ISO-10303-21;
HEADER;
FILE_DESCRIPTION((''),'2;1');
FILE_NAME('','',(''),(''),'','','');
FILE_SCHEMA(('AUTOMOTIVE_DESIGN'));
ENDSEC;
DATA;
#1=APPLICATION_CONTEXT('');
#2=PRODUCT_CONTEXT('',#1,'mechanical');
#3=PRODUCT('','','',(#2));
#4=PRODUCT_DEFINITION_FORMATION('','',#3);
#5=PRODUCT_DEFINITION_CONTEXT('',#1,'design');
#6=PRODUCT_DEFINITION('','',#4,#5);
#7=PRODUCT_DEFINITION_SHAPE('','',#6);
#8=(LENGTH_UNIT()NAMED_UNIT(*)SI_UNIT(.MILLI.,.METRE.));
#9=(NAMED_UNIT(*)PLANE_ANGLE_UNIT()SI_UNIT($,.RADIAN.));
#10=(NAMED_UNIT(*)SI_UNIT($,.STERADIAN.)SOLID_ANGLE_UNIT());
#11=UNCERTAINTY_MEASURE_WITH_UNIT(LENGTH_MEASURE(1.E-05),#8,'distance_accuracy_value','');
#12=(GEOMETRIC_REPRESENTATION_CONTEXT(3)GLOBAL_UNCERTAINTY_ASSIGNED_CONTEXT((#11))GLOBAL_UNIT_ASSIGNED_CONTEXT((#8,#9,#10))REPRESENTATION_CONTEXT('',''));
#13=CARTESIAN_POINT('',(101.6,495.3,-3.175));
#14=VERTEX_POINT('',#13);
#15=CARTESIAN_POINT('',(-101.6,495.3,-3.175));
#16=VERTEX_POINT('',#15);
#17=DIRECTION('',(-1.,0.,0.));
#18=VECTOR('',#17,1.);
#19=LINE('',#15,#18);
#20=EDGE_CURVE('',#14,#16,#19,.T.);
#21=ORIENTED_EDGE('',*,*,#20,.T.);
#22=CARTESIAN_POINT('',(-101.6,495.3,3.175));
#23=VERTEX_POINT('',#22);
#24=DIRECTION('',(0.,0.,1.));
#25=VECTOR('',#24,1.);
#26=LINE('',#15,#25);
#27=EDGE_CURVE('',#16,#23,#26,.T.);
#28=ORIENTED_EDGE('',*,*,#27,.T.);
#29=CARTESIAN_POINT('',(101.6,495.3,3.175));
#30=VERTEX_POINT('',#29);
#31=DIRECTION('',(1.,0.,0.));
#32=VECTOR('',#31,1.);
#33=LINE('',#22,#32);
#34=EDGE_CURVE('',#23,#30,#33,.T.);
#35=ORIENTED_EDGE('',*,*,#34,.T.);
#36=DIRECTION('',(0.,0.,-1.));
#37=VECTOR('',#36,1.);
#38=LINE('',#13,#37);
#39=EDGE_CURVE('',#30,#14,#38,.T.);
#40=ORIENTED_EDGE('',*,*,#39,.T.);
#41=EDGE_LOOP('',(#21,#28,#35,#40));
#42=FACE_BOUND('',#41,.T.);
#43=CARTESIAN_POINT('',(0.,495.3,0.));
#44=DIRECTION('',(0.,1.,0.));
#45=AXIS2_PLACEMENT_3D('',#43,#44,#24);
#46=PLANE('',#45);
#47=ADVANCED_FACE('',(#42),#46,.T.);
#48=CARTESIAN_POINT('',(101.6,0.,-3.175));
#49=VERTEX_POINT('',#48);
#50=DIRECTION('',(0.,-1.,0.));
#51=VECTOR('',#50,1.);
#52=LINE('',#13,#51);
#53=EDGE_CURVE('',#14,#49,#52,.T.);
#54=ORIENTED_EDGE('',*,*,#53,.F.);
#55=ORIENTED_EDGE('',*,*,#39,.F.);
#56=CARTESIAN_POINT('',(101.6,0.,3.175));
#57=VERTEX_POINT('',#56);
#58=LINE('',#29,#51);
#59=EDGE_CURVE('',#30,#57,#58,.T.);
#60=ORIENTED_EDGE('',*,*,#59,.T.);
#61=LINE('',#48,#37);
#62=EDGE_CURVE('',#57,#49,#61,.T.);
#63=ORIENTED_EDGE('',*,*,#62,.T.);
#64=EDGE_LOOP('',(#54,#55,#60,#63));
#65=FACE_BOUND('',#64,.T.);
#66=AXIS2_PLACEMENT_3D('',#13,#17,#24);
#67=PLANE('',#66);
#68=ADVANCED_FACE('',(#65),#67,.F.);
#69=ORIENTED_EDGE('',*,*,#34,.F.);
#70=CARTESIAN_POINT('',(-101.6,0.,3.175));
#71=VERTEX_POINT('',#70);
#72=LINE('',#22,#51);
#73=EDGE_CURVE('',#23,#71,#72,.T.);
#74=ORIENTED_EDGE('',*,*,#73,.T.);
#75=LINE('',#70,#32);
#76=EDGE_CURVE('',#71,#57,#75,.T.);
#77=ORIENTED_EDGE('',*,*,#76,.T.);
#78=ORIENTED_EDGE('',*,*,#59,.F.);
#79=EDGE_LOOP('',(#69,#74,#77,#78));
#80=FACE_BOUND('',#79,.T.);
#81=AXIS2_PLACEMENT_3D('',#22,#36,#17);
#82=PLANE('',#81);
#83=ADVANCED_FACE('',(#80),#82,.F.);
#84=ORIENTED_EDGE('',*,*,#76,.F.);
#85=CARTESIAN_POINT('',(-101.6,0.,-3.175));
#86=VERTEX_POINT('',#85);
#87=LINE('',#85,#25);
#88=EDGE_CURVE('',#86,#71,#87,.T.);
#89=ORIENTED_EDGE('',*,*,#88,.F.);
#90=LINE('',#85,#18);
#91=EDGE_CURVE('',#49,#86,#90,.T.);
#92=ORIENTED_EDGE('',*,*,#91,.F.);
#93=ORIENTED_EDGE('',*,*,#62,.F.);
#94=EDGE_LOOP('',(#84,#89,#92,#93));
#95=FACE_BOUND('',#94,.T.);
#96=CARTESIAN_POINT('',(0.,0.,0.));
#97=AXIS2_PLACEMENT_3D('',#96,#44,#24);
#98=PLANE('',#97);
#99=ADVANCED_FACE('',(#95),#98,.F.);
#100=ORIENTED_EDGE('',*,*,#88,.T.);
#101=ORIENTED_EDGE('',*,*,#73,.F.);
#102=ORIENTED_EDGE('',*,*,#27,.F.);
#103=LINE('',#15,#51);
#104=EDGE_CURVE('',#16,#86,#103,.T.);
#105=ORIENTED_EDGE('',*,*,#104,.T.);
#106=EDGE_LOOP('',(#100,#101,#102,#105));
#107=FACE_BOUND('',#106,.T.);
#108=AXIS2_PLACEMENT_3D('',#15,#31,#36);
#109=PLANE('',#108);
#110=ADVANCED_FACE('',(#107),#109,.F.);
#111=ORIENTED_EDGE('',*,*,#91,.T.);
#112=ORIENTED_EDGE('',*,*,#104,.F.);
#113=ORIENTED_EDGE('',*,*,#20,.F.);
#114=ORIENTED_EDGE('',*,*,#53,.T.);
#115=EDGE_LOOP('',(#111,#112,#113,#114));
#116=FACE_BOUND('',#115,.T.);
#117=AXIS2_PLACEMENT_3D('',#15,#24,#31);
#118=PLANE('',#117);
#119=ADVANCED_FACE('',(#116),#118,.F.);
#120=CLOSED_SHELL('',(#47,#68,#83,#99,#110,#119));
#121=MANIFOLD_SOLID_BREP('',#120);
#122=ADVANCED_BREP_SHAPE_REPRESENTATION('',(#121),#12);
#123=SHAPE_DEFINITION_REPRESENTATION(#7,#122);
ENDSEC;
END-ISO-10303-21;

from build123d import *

# Parameters (mm, degrees)
CROQUIS2_W              = 203.2
CROQUIS2_H              = 6.35
SALIENTE_EXTRUIR1_DEPTH = 495.3


with BuildPart() as part:
    # Croquis2 → Saliente-Extruir1 (new body)
    with BuildSketch(Plane(origin=(0, 0, 0), x_dir=(1, 0, 0), z_dir=(0, 1, 0))):
        Rectangle(CROQUIS2_W, CROQUIS2_H)
    extrude(amount=SALIENTE_EXTRUIR1_DEPTH)


solid = part.part
